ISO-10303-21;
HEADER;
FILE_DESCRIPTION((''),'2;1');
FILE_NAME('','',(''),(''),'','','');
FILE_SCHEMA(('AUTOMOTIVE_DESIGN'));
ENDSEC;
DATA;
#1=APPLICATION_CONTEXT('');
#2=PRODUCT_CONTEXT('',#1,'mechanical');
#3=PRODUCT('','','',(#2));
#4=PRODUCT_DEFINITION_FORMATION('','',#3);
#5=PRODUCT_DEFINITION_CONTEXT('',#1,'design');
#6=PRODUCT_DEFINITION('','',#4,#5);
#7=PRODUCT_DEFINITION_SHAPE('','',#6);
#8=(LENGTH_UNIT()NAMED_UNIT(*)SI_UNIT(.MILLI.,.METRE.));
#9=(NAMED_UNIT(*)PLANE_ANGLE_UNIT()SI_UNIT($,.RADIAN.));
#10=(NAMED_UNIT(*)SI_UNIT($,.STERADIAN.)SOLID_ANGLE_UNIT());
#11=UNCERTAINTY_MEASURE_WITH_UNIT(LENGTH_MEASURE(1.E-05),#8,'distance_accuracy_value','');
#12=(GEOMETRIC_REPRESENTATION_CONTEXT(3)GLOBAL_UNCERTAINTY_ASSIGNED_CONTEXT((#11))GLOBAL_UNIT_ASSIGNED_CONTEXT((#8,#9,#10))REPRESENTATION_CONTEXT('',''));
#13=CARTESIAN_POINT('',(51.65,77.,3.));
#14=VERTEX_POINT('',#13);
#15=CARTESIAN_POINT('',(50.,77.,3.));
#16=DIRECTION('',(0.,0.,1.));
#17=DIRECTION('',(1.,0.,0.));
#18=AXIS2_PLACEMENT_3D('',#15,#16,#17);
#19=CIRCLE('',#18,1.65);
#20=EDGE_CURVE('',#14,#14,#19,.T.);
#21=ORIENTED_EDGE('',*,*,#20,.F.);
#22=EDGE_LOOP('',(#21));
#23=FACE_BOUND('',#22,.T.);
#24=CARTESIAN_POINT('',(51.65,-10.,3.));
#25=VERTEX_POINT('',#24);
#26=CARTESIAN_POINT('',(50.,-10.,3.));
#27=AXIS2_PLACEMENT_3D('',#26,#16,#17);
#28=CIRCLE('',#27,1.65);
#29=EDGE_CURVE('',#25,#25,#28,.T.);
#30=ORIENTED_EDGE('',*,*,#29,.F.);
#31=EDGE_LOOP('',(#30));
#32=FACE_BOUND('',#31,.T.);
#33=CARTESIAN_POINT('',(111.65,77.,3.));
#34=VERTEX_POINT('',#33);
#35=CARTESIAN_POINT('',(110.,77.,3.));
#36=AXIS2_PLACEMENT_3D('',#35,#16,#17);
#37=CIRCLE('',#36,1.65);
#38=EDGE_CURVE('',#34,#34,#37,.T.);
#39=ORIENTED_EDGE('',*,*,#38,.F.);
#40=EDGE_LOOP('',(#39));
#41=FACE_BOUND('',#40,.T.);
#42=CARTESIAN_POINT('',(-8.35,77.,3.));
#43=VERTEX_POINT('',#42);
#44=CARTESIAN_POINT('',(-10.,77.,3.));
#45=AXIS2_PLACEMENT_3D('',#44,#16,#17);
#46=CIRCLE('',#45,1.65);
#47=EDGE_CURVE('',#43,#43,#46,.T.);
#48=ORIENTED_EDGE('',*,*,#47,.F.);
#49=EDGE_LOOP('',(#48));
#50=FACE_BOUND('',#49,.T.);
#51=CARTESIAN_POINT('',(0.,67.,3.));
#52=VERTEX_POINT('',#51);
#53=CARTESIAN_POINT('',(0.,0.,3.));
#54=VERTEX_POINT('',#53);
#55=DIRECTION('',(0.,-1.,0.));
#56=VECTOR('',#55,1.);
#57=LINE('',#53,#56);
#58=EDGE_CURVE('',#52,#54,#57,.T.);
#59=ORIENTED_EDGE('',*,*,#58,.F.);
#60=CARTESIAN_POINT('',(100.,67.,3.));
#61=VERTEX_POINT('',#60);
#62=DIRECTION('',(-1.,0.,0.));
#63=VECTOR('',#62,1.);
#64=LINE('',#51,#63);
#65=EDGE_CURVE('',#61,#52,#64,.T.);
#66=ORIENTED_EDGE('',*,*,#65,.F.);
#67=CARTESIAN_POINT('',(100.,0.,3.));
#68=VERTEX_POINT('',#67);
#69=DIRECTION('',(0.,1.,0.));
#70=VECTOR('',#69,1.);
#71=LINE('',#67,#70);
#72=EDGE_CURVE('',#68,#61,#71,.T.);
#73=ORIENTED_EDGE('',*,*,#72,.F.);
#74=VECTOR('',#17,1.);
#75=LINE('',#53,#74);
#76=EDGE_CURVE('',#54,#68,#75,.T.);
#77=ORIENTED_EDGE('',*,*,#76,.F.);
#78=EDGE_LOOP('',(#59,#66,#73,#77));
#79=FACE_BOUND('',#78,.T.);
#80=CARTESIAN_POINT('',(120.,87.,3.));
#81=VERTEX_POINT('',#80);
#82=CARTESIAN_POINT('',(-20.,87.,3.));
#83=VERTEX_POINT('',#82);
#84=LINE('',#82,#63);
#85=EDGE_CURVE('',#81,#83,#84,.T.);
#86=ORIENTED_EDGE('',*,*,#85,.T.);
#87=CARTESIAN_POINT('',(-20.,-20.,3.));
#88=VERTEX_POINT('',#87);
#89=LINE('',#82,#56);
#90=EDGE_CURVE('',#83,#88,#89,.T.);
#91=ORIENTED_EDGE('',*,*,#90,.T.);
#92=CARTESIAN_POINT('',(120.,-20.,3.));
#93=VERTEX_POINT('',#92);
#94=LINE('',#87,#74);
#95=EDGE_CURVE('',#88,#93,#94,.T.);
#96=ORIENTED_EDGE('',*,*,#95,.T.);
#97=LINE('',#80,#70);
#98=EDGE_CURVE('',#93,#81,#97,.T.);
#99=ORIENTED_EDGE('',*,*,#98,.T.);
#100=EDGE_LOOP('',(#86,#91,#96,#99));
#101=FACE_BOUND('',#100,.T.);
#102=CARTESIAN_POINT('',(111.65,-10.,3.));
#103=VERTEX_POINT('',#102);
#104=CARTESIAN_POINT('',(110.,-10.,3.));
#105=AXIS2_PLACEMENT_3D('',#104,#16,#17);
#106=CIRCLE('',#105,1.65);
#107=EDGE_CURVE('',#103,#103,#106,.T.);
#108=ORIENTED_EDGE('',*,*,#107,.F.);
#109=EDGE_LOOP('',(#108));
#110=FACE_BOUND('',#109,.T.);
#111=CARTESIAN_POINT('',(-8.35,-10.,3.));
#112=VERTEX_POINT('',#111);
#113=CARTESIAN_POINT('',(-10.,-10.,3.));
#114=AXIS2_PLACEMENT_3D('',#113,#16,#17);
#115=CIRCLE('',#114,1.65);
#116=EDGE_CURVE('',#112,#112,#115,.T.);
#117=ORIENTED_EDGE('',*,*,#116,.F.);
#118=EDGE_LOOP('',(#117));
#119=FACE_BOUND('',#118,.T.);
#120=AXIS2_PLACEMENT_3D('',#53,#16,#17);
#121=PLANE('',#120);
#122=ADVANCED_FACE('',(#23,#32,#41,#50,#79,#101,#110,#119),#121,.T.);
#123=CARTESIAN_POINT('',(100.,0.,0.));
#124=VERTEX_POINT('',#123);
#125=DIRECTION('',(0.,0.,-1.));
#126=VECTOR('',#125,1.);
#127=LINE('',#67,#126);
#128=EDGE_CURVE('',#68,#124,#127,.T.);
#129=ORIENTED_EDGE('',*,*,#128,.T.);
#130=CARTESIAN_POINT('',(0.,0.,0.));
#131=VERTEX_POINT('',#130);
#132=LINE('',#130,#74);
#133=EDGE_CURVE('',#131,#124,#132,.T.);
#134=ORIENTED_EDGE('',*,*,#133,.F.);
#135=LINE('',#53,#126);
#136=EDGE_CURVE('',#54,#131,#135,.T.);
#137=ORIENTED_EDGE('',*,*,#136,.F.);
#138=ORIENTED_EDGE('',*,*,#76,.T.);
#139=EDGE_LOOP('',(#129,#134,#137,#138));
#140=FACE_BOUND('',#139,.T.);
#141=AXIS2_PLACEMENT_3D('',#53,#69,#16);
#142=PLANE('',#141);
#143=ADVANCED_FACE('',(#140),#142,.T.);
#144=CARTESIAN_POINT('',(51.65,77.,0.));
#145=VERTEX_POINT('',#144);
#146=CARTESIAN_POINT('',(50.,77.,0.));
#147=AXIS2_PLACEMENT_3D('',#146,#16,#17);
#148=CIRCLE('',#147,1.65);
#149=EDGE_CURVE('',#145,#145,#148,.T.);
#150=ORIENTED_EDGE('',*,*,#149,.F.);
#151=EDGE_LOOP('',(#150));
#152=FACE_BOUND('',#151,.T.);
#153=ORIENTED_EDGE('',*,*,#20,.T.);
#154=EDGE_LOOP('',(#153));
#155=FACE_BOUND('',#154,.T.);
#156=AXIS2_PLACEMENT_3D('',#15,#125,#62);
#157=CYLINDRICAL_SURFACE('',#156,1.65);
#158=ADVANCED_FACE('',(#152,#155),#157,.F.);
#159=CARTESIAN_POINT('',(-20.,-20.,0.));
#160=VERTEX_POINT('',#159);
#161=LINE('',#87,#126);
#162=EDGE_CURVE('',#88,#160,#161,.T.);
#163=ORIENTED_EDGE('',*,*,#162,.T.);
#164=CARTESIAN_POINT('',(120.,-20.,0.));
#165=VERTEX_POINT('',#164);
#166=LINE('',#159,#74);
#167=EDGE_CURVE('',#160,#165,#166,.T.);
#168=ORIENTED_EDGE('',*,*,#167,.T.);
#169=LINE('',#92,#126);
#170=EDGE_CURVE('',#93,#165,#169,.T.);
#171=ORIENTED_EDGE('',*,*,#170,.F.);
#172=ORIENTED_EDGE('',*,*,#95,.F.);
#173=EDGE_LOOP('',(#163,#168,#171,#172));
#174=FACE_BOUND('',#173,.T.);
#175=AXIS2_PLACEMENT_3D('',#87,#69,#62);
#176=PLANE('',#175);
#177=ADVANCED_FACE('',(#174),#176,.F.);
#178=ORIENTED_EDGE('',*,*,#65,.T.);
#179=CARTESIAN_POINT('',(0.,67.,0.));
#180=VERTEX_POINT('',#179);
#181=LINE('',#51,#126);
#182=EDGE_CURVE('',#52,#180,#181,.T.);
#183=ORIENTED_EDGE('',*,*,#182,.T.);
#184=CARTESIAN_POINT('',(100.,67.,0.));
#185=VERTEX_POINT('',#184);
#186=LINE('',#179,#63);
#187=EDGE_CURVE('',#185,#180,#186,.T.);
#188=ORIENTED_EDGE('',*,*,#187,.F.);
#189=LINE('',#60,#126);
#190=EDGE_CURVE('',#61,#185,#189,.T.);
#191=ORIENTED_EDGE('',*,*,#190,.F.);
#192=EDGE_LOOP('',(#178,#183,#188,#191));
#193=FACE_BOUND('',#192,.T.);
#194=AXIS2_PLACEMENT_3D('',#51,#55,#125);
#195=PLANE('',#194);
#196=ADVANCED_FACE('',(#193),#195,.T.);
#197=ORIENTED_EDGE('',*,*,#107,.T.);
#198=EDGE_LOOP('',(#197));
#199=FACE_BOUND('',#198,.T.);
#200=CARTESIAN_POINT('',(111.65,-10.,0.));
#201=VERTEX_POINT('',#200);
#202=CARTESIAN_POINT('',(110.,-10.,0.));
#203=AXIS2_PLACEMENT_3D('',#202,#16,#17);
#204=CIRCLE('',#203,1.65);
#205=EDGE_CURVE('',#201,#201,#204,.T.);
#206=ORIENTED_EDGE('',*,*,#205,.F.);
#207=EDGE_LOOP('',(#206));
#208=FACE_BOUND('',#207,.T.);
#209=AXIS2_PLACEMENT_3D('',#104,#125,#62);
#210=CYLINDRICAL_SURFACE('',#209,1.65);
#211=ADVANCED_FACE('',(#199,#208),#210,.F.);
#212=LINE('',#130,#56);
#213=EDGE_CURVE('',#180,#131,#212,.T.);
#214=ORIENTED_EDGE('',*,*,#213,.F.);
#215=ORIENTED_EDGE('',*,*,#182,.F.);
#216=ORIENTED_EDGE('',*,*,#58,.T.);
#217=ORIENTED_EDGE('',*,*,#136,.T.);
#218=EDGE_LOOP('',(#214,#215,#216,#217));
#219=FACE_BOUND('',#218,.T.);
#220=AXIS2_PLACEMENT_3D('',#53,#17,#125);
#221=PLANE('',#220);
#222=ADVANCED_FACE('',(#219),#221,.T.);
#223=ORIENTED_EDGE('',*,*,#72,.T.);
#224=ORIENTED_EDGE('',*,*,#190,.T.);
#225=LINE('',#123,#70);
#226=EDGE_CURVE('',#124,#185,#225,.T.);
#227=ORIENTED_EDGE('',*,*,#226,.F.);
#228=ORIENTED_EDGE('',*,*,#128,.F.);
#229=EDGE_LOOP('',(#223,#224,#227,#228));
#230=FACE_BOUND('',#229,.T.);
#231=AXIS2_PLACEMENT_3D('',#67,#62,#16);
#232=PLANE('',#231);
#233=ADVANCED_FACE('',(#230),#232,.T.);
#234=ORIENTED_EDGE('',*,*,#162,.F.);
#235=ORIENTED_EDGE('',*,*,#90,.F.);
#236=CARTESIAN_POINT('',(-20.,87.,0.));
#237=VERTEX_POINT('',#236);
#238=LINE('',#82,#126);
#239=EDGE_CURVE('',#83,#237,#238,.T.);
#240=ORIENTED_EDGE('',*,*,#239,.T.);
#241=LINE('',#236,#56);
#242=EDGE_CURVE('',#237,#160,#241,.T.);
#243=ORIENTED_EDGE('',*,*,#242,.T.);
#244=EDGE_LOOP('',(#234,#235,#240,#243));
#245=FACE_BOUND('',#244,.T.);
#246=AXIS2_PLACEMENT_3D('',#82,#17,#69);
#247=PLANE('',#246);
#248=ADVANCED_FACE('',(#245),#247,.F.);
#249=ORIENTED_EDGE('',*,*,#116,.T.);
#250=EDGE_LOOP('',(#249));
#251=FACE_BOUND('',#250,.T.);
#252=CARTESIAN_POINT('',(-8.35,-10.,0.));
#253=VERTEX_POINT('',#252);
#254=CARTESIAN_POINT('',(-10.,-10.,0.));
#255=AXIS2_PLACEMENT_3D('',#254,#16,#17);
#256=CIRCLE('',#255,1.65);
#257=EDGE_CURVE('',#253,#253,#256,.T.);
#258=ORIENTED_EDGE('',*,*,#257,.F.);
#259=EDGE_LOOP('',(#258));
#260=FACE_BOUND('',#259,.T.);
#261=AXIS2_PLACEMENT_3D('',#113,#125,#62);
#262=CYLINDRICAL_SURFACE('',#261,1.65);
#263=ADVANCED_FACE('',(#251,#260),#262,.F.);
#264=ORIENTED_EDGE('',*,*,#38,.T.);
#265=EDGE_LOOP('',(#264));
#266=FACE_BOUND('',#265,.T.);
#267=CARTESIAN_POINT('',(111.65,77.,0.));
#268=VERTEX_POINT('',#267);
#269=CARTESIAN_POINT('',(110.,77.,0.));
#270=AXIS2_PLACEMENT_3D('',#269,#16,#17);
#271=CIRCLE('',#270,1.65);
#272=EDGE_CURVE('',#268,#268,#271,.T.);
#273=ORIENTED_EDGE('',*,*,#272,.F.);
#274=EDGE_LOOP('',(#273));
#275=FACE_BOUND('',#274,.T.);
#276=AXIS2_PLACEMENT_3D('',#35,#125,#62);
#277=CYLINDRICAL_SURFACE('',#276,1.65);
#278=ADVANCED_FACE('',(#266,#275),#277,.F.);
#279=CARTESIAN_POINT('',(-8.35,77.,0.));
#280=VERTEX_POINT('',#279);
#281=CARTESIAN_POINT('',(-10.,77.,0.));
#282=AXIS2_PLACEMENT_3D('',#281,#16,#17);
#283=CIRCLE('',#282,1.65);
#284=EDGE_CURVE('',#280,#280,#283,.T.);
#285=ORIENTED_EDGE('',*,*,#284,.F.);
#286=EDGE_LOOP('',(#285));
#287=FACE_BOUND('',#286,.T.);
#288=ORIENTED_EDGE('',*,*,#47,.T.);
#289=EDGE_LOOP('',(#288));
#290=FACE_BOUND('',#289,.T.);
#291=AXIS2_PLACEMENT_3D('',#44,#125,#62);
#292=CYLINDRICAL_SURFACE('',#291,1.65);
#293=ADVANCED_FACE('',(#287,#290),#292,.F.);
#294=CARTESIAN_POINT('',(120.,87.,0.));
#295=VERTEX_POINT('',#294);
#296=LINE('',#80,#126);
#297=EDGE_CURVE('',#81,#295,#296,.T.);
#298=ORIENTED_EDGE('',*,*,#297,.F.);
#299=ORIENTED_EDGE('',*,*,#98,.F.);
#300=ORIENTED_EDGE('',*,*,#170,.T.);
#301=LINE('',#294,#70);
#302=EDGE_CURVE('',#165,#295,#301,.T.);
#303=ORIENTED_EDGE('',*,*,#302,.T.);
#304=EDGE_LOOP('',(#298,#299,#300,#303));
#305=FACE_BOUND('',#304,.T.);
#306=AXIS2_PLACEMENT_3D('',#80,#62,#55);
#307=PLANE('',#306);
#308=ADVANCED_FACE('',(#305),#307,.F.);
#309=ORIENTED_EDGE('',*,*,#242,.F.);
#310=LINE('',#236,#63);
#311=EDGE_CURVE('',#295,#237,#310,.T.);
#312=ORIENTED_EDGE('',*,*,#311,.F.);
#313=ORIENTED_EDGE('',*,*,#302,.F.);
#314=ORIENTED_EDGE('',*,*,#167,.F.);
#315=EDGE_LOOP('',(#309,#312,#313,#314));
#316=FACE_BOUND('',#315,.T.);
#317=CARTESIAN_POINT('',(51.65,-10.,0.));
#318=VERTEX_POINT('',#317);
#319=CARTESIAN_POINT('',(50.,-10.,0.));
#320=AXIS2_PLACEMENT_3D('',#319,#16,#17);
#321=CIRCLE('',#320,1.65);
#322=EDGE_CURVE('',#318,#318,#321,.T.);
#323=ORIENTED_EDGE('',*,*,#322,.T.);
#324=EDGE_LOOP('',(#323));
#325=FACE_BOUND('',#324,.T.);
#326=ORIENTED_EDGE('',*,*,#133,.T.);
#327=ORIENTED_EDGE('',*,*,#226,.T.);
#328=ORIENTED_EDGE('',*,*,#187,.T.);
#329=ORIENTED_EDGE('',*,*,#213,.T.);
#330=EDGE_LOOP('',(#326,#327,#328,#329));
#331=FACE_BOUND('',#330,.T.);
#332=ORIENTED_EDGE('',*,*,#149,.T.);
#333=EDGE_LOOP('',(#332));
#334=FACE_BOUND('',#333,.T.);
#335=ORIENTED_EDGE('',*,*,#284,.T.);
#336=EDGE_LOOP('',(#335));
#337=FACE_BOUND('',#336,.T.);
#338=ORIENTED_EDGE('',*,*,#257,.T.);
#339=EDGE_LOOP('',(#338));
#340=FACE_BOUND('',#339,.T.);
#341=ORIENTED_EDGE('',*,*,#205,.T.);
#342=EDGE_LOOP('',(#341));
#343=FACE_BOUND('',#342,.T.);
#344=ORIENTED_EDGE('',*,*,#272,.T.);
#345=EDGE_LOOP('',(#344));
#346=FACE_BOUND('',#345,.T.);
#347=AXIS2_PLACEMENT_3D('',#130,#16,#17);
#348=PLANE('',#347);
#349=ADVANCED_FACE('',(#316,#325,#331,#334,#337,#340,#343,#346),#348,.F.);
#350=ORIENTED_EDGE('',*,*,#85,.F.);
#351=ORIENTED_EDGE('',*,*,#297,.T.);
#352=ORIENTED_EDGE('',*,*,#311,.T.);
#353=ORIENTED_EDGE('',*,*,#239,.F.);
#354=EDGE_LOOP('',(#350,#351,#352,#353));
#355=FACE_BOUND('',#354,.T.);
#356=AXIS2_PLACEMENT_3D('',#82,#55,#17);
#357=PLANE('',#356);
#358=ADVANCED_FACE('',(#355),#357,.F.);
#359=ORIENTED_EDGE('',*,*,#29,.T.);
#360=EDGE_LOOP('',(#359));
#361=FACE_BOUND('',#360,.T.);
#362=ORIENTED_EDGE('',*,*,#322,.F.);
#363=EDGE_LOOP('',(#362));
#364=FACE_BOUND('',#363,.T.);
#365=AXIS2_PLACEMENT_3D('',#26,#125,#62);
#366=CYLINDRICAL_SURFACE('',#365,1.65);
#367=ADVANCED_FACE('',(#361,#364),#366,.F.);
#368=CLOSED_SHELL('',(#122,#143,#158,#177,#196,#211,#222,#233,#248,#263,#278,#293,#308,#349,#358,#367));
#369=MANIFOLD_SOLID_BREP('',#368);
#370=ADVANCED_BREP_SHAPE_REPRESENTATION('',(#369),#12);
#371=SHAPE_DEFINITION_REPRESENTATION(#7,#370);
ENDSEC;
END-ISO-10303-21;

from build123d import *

# Parameters (mm, degrees)
ESQUISSE1_W        = 140
ESQUISSE1_H        = 107
ESQUISSE1_R        = 1.65
ESQUISSE1_W_2      = 100
ESQUISSE1_H_2      = 67
BOSS_EXTRU_1_DEPTH = 3


with BuildPart() as part:
    # Esquisse1 → Boss.-Extru.1 (new body)
    with BuildSketch(Plane.XY):
        with Locations((50, 33.5)):
            Rectangle(ESQUISSE1_W, ESQUISSE1_H)
        with Locations((110, 77)):
            Circle(ESQUISSE1_R, mode=Mode.SUBTRACT)
        with Locations((-10, 77)):
            Circle(ESQUISSE1_R, mode=Mode.SUBTRACT)
        with Locations((-10, -10)):
            Circle(ESQUISSE1_R, mode=Mode.SUBTRACT)
        with Locations((110, -10)):
            Circle(ESQUISSE1_R, mode=Mode.SUBTRACT)
        with Locations((50, 77)):
            Circle(ESQUISSE1_R, mode=Mode.SUBTRACT)
        with Locations((50, -10)):
            Circle(ESQUISSE1_R, mode=Mode.SUBTRACT)
        with Locations((50, 33.5)):
            Rectangle(ESQUISSE1_W_2, ESQUISSE1_H_2, mode=Mode.SUBTRACT)
    extrude(amount=BOSS_EXTRU_1_DEPTH)


solid = part.part
